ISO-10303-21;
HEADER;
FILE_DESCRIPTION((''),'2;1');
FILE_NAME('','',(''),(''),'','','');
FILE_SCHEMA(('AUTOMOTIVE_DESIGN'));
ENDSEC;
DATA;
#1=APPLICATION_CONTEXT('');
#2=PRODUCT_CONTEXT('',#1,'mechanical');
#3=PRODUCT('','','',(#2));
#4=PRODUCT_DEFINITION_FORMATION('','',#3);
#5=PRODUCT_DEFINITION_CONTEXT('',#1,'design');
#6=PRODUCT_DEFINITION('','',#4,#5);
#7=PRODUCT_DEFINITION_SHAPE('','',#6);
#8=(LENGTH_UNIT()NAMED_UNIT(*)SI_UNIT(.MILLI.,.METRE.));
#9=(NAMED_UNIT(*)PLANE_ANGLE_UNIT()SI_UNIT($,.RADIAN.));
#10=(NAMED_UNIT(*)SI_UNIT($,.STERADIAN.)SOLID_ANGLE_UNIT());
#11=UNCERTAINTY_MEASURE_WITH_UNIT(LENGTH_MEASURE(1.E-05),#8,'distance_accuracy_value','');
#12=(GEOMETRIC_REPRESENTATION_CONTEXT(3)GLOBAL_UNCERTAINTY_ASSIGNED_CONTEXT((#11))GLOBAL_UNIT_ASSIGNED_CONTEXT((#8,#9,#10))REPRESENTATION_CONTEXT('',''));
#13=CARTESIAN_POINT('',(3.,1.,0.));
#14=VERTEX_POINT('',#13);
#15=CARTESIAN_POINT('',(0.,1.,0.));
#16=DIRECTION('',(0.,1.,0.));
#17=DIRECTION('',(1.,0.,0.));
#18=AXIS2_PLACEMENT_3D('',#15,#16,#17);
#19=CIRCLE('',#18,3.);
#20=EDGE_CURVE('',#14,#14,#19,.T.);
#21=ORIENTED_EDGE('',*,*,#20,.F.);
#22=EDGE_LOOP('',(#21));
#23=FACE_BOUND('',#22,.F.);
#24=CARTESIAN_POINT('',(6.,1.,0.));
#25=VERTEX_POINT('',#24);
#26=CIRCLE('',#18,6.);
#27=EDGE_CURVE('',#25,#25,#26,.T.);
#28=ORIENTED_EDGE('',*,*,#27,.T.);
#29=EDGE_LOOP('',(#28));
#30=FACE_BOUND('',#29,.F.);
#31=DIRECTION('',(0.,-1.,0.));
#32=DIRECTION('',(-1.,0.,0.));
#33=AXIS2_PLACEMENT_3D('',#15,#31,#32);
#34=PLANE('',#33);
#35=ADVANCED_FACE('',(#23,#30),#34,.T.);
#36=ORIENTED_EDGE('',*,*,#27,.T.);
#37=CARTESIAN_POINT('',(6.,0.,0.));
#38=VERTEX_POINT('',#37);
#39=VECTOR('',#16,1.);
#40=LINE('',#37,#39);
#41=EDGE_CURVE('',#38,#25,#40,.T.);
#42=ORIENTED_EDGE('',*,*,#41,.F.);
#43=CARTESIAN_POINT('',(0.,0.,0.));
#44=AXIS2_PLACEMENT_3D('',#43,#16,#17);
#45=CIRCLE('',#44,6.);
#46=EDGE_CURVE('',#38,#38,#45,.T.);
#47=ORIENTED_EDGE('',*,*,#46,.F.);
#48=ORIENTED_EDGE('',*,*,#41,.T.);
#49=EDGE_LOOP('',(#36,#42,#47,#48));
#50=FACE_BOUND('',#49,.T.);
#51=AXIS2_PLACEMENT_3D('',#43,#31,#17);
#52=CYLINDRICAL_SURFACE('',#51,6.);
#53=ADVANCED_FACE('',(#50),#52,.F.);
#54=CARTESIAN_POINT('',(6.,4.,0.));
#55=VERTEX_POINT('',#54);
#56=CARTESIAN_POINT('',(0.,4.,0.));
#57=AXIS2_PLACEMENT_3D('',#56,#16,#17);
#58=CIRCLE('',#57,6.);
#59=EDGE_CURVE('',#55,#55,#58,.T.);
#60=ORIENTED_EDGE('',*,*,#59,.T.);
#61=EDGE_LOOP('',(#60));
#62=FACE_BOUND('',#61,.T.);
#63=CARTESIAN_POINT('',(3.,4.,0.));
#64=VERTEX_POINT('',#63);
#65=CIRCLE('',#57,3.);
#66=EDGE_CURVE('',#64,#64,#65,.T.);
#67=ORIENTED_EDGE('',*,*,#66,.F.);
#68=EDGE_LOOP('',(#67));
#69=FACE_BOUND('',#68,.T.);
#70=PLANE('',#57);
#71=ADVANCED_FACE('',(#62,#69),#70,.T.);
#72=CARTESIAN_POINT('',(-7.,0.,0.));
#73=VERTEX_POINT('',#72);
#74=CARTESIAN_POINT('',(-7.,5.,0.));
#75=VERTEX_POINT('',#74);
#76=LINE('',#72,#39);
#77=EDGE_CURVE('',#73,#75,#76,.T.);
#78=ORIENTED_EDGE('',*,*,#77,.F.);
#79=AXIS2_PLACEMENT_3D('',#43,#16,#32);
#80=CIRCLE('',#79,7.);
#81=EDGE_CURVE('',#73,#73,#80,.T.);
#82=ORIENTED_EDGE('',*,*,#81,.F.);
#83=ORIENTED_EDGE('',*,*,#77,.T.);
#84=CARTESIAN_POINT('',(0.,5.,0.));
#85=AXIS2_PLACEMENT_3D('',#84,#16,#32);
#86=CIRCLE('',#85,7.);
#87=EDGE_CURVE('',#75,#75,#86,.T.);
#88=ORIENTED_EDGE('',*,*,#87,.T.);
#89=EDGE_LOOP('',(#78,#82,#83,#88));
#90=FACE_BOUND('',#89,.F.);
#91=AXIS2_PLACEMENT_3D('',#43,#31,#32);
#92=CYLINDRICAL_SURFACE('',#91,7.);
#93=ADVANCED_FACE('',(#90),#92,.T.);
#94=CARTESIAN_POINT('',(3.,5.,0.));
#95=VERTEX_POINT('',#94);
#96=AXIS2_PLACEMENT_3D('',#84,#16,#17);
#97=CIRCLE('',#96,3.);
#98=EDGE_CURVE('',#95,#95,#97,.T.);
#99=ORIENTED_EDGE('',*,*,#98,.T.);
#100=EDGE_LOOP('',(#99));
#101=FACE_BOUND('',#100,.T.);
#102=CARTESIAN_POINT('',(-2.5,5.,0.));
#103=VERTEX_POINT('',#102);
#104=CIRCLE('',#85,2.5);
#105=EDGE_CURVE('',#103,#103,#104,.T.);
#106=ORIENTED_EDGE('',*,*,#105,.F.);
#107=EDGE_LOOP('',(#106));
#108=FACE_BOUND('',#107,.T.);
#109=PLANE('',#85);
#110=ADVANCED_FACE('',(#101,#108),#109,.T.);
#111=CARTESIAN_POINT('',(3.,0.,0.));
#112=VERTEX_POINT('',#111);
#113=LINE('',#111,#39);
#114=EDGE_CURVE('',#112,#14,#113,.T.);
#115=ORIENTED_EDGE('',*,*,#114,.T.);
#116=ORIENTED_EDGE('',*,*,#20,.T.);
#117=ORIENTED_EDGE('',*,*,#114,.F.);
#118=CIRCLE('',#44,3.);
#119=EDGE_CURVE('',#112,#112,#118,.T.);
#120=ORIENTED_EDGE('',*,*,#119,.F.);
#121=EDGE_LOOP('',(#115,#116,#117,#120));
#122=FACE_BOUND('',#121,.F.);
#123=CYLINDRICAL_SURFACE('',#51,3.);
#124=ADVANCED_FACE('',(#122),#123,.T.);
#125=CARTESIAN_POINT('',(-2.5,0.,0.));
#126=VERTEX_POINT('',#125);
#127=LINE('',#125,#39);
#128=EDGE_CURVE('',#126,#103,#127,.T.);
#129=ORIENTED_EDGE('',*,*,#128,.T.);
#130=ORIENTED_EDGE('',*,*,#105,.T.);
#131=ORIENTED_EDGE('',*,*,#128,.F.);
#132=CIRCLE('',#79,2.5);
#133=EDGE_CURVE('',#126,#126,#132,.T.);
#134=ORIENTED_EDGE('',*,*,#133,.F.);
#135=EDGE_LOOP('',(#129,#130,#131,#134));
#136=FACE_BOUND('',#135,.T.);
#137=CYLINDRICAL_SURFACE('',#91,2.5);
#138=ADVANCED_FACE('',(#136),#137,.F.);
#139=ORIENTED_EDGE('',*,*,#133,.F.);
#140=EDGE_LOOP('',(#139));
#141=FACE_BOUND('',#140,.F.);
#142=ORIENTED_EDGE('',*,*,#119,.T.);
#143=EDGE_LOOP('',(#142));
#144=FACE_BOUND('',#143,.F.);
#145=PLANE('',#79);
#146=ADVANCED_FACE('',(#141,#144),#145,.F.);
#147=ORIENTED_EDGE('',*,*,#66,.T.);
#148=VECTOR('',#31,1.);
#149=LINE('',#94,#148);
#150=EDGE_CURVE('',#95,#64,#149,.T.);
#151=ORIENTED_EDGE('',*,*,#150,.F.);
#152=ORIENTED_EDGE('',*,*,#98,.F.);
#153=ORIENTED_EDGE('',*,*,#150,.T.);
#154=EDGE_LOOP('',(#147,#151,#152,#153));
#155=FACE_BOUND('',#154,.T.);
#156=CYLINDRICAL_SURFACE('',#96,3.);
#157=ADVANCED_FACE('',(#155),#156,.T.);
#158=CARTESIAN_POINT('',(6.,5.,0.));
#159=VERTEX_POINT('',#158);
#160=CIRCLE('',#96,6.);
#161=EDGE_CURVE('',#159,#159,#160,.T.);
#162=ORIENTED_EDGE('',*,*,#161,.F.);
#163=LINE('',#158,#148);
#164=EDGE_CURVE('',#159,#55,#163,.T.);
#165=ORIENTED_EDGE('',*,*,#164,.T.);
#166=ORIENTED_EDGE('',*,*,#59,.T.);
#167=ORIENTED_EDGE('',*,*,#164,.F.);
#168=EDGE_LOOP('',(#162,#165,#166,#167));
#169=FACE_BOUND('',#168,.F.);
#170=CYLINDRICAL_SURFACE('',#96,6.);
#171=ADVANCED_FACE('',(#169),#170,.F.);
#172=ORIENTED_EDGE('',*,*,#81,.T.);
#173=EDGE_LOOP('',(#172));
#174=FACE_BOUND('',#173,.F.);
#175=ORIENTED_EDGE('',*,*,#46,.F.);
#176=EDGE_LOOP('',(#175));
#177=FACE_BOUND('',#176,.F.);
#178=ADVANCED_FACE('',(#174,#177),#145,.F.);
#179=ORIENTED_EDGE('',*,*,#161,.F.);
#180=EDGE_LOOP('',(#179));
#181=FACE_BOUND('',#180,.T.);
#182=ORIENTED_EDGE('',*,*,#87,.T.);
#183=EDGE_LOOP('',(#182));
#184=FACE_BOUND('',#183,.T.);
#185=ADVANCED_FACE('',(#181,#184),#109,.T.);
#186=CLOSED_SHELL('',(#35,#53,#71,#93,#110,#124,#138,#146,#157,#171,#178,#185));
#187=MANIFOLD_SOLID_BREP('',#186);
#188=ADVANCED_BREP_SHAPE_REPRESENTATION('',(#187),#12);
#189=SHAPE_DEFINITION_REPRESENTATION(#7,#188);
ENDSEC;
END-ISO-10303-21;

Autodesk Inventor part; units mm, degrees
ref_plane "YZ Plane" through (0, 0, 0) normal (1, 0, 0) x (0, 1, 0)
ref_plane "XZ Plane" through (0, 0, 0) normal (0, 1, 0) x (-1, 0, 0)
sketch "Sketch1" plane through (0, 0, 0) normal (0, 1, 0) x (-1, 0, 0)
  circle A0 centre (0, 0) radius 7
  circle A1 centre (0, 0) radius 2.5
  dimension "d0" = 14
  dimension "d1" = 5
extrude "Extrusion1" add sketch "Sketch1" along normal blind 5
sketch "Sketch2" plane through (0, 5, 0) normal (0, 1, 0) x (1, 0, 0)
  circle A0 centre (0, 0) radius 7 projected
  circle A1 centre (0, 0) radius 2.5 projected
  circle A2 centre (0, 0) radius 3
  circle A3 centre (0, 0) radius 6
  dimension "d4" = 6
  dimension "d5" = 1
extrude "Extrusion2" cut sketch "Sketch2" against normal blind 1 contours A3
ref_plane "Work Plane1" through (0, 2.5, 0) normal (0, 1, 0) x (1, 0, 0)
mirror "Mirror1" about plane through (0, 2.5, 0) normal (0, 1, 0) of "Extrusion2"
properties part number "Bearing5X15X5"
